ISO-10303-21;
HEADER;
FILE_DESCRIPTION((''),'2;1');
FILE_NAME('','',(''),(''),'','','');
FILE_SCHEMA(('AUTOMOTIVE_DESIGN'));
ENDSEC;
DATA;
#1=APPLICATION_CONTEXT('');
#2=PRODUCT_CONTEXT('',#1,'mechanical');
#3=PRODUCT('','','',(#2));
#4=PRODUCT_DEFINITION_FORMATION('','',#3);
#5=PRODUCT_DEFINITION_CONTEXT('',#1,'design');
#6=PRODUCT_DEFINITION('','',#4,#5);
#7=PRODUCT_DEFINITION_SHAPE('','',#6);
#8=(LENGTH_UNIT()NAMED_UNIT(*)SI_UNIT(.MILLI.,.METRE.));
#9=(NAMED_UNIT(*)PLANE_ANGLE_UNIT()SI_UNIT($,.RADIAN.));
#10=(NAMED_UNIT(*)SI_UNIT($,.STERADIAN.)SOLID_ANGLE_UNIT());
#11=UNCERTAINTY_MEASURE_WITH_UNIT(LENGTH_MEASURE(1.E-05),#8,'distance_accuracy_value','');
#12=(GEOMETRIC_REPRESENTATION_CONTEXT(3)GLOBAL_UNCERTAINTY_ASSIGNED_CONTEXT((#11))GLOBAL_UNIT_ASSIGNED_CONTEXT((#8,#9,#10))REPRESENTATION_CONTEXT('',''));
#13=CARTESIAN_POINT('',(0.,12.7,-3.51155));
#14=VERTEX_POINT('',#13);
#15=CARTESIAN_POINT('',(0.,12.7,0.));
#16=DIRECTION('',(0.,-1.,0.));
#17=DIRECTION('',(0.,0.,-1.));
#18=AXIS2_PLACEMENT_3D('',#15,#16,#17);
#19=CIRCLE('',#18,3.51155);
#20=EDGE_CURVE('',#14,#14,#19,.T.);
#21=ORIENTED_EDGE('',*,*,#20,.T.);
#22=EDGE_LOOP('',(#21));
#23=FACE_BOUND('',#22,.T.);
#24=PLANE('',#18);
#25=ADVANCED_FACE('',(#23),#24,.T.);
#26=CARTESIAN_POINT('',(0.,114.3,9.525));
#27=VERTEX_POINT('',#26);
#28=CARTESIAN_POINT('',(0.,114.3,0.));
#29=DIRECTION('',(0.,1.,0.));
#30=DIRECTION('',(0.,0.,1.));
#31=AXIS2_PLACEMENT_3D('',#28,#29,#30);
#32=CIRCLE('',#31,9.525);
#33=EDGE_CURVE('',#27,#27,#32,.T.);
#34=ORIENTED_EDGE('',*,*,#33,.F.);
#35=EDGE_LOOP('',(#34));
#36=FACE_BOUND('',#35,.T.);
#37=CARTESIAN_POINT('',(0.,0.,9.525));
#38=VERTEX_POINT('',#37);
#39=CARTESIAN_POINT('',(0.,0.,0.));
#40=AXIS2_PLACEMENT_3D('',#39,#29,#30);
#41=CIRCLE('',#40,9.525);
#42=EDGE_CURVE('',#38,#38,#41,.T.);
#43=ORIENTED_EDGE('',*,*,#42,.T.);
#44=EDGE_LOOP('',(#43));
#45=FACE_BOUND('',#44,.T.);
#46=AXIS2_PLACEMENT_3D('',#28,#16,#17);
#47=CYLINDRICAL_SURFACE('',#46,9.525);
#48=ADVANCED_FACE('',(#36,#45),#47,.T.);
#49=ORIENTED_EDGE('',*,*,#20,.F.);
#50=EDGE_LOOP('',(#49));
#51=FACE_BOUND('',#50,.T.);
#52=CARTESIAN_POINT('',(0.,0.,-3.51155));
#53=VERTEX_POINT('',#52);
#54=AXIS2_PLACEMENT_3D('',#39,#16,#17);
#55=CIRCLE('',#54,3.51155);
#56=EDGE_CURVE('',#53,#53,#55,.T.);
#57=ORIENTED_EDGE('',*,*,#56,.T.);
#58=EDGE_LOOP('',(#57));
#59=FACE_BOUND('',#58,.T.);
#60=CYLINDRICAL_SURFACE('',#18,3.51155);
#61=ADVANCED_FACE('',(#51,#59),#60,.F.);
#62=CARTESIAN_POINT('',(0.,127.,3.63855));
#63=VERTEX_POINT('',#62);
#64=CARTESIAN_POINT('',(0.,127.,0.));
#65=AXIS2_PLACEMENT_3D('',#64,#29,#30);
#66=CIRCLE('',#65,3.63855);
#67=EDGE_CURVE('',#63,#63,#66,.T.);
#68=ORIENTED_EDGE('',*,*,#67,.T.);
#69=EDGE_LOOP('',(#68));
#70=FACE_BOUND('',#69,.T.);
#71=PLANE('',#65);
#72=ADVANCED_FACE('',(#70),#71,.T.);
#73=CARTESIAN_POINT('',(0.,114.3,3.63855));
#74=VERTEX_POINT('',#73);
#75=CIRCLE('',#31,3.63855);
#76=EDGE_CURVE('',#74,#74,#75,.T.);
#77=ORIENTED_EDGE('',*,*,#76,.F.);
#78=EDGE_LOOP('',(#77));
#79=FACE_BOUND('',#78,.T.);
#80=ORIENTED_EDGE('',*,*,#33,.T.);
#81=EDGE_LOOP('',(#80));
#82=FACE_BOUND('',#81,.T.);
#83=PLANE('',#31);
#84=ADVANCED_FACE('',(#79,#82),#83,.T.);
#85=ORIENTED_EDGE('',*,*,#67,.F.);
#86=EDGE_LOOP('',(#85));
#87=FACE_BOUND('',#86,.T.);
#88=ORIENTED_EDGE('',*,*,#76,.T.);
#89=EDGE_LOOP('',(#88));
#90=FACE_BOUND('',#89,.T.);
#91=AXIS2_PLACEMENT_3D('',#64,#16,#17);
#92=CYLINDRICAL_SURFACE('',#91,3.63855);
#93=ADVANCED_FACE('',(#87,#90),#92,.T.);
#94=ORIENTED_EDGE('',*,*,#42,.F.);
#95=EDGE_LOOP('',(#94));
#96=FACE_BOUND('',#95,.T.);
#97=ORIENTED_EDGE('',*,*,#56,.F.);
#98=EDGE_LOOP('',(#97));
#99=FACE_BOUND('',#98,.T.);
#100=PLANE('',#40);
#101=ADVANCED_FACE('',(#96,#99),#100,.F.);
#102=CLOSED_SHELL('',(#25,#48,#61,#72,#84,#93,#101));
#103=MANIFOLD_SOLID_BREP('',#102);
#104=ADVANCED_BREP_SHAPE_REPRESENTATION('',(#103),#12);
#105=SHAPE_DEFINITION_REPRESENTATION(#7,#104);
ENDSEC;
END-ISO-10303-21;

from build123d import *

# Parameters (mm, degrees)
SKETCH1_R           = 9.525
BOSS_EXTRUDE1_DEPTH = 114.3
SKETCH2_R           = 3.63855
BOSS_EXTRUDE2_DEPTH = 12.7
SKETCH3_R           = 3.51155
CUT_EXTRUDE1_DEPTH  = 12.7


with BuildPart() as part:
    # Sketch1 → Boss-Extrude1 (new body)
    with BuildSketch(Plane(origin=(0, 0, 0), x_dir=(1, 0, 0), z_dir=(0, 1, 0))):
        Circle(SKETCH1_R)
    extrude(amount=BOSS_EXTRUDE1_DEPTH)

    # Sketch2 → Boss-Extrude2 (add)
    with BuildSketch(Plane(origin=(0, 114.3, 0), x_dir=(1, 0, 0), z_dir=(0, 1, 0))):
        Circle(SKETCH2_R)
    extrude(amount=BOSS_EXTRUDE2_DEPTH)

    # Sketch3 → Cut-Extrude1 (cut)
    with BuildSketch(Plane.XZ):
        Circle(SKETCH3_R)
    extrude(amount=-CUT_EXTRUDE1_DEPTH, mode=Mode.SUBTRACT)


solid = part.part
